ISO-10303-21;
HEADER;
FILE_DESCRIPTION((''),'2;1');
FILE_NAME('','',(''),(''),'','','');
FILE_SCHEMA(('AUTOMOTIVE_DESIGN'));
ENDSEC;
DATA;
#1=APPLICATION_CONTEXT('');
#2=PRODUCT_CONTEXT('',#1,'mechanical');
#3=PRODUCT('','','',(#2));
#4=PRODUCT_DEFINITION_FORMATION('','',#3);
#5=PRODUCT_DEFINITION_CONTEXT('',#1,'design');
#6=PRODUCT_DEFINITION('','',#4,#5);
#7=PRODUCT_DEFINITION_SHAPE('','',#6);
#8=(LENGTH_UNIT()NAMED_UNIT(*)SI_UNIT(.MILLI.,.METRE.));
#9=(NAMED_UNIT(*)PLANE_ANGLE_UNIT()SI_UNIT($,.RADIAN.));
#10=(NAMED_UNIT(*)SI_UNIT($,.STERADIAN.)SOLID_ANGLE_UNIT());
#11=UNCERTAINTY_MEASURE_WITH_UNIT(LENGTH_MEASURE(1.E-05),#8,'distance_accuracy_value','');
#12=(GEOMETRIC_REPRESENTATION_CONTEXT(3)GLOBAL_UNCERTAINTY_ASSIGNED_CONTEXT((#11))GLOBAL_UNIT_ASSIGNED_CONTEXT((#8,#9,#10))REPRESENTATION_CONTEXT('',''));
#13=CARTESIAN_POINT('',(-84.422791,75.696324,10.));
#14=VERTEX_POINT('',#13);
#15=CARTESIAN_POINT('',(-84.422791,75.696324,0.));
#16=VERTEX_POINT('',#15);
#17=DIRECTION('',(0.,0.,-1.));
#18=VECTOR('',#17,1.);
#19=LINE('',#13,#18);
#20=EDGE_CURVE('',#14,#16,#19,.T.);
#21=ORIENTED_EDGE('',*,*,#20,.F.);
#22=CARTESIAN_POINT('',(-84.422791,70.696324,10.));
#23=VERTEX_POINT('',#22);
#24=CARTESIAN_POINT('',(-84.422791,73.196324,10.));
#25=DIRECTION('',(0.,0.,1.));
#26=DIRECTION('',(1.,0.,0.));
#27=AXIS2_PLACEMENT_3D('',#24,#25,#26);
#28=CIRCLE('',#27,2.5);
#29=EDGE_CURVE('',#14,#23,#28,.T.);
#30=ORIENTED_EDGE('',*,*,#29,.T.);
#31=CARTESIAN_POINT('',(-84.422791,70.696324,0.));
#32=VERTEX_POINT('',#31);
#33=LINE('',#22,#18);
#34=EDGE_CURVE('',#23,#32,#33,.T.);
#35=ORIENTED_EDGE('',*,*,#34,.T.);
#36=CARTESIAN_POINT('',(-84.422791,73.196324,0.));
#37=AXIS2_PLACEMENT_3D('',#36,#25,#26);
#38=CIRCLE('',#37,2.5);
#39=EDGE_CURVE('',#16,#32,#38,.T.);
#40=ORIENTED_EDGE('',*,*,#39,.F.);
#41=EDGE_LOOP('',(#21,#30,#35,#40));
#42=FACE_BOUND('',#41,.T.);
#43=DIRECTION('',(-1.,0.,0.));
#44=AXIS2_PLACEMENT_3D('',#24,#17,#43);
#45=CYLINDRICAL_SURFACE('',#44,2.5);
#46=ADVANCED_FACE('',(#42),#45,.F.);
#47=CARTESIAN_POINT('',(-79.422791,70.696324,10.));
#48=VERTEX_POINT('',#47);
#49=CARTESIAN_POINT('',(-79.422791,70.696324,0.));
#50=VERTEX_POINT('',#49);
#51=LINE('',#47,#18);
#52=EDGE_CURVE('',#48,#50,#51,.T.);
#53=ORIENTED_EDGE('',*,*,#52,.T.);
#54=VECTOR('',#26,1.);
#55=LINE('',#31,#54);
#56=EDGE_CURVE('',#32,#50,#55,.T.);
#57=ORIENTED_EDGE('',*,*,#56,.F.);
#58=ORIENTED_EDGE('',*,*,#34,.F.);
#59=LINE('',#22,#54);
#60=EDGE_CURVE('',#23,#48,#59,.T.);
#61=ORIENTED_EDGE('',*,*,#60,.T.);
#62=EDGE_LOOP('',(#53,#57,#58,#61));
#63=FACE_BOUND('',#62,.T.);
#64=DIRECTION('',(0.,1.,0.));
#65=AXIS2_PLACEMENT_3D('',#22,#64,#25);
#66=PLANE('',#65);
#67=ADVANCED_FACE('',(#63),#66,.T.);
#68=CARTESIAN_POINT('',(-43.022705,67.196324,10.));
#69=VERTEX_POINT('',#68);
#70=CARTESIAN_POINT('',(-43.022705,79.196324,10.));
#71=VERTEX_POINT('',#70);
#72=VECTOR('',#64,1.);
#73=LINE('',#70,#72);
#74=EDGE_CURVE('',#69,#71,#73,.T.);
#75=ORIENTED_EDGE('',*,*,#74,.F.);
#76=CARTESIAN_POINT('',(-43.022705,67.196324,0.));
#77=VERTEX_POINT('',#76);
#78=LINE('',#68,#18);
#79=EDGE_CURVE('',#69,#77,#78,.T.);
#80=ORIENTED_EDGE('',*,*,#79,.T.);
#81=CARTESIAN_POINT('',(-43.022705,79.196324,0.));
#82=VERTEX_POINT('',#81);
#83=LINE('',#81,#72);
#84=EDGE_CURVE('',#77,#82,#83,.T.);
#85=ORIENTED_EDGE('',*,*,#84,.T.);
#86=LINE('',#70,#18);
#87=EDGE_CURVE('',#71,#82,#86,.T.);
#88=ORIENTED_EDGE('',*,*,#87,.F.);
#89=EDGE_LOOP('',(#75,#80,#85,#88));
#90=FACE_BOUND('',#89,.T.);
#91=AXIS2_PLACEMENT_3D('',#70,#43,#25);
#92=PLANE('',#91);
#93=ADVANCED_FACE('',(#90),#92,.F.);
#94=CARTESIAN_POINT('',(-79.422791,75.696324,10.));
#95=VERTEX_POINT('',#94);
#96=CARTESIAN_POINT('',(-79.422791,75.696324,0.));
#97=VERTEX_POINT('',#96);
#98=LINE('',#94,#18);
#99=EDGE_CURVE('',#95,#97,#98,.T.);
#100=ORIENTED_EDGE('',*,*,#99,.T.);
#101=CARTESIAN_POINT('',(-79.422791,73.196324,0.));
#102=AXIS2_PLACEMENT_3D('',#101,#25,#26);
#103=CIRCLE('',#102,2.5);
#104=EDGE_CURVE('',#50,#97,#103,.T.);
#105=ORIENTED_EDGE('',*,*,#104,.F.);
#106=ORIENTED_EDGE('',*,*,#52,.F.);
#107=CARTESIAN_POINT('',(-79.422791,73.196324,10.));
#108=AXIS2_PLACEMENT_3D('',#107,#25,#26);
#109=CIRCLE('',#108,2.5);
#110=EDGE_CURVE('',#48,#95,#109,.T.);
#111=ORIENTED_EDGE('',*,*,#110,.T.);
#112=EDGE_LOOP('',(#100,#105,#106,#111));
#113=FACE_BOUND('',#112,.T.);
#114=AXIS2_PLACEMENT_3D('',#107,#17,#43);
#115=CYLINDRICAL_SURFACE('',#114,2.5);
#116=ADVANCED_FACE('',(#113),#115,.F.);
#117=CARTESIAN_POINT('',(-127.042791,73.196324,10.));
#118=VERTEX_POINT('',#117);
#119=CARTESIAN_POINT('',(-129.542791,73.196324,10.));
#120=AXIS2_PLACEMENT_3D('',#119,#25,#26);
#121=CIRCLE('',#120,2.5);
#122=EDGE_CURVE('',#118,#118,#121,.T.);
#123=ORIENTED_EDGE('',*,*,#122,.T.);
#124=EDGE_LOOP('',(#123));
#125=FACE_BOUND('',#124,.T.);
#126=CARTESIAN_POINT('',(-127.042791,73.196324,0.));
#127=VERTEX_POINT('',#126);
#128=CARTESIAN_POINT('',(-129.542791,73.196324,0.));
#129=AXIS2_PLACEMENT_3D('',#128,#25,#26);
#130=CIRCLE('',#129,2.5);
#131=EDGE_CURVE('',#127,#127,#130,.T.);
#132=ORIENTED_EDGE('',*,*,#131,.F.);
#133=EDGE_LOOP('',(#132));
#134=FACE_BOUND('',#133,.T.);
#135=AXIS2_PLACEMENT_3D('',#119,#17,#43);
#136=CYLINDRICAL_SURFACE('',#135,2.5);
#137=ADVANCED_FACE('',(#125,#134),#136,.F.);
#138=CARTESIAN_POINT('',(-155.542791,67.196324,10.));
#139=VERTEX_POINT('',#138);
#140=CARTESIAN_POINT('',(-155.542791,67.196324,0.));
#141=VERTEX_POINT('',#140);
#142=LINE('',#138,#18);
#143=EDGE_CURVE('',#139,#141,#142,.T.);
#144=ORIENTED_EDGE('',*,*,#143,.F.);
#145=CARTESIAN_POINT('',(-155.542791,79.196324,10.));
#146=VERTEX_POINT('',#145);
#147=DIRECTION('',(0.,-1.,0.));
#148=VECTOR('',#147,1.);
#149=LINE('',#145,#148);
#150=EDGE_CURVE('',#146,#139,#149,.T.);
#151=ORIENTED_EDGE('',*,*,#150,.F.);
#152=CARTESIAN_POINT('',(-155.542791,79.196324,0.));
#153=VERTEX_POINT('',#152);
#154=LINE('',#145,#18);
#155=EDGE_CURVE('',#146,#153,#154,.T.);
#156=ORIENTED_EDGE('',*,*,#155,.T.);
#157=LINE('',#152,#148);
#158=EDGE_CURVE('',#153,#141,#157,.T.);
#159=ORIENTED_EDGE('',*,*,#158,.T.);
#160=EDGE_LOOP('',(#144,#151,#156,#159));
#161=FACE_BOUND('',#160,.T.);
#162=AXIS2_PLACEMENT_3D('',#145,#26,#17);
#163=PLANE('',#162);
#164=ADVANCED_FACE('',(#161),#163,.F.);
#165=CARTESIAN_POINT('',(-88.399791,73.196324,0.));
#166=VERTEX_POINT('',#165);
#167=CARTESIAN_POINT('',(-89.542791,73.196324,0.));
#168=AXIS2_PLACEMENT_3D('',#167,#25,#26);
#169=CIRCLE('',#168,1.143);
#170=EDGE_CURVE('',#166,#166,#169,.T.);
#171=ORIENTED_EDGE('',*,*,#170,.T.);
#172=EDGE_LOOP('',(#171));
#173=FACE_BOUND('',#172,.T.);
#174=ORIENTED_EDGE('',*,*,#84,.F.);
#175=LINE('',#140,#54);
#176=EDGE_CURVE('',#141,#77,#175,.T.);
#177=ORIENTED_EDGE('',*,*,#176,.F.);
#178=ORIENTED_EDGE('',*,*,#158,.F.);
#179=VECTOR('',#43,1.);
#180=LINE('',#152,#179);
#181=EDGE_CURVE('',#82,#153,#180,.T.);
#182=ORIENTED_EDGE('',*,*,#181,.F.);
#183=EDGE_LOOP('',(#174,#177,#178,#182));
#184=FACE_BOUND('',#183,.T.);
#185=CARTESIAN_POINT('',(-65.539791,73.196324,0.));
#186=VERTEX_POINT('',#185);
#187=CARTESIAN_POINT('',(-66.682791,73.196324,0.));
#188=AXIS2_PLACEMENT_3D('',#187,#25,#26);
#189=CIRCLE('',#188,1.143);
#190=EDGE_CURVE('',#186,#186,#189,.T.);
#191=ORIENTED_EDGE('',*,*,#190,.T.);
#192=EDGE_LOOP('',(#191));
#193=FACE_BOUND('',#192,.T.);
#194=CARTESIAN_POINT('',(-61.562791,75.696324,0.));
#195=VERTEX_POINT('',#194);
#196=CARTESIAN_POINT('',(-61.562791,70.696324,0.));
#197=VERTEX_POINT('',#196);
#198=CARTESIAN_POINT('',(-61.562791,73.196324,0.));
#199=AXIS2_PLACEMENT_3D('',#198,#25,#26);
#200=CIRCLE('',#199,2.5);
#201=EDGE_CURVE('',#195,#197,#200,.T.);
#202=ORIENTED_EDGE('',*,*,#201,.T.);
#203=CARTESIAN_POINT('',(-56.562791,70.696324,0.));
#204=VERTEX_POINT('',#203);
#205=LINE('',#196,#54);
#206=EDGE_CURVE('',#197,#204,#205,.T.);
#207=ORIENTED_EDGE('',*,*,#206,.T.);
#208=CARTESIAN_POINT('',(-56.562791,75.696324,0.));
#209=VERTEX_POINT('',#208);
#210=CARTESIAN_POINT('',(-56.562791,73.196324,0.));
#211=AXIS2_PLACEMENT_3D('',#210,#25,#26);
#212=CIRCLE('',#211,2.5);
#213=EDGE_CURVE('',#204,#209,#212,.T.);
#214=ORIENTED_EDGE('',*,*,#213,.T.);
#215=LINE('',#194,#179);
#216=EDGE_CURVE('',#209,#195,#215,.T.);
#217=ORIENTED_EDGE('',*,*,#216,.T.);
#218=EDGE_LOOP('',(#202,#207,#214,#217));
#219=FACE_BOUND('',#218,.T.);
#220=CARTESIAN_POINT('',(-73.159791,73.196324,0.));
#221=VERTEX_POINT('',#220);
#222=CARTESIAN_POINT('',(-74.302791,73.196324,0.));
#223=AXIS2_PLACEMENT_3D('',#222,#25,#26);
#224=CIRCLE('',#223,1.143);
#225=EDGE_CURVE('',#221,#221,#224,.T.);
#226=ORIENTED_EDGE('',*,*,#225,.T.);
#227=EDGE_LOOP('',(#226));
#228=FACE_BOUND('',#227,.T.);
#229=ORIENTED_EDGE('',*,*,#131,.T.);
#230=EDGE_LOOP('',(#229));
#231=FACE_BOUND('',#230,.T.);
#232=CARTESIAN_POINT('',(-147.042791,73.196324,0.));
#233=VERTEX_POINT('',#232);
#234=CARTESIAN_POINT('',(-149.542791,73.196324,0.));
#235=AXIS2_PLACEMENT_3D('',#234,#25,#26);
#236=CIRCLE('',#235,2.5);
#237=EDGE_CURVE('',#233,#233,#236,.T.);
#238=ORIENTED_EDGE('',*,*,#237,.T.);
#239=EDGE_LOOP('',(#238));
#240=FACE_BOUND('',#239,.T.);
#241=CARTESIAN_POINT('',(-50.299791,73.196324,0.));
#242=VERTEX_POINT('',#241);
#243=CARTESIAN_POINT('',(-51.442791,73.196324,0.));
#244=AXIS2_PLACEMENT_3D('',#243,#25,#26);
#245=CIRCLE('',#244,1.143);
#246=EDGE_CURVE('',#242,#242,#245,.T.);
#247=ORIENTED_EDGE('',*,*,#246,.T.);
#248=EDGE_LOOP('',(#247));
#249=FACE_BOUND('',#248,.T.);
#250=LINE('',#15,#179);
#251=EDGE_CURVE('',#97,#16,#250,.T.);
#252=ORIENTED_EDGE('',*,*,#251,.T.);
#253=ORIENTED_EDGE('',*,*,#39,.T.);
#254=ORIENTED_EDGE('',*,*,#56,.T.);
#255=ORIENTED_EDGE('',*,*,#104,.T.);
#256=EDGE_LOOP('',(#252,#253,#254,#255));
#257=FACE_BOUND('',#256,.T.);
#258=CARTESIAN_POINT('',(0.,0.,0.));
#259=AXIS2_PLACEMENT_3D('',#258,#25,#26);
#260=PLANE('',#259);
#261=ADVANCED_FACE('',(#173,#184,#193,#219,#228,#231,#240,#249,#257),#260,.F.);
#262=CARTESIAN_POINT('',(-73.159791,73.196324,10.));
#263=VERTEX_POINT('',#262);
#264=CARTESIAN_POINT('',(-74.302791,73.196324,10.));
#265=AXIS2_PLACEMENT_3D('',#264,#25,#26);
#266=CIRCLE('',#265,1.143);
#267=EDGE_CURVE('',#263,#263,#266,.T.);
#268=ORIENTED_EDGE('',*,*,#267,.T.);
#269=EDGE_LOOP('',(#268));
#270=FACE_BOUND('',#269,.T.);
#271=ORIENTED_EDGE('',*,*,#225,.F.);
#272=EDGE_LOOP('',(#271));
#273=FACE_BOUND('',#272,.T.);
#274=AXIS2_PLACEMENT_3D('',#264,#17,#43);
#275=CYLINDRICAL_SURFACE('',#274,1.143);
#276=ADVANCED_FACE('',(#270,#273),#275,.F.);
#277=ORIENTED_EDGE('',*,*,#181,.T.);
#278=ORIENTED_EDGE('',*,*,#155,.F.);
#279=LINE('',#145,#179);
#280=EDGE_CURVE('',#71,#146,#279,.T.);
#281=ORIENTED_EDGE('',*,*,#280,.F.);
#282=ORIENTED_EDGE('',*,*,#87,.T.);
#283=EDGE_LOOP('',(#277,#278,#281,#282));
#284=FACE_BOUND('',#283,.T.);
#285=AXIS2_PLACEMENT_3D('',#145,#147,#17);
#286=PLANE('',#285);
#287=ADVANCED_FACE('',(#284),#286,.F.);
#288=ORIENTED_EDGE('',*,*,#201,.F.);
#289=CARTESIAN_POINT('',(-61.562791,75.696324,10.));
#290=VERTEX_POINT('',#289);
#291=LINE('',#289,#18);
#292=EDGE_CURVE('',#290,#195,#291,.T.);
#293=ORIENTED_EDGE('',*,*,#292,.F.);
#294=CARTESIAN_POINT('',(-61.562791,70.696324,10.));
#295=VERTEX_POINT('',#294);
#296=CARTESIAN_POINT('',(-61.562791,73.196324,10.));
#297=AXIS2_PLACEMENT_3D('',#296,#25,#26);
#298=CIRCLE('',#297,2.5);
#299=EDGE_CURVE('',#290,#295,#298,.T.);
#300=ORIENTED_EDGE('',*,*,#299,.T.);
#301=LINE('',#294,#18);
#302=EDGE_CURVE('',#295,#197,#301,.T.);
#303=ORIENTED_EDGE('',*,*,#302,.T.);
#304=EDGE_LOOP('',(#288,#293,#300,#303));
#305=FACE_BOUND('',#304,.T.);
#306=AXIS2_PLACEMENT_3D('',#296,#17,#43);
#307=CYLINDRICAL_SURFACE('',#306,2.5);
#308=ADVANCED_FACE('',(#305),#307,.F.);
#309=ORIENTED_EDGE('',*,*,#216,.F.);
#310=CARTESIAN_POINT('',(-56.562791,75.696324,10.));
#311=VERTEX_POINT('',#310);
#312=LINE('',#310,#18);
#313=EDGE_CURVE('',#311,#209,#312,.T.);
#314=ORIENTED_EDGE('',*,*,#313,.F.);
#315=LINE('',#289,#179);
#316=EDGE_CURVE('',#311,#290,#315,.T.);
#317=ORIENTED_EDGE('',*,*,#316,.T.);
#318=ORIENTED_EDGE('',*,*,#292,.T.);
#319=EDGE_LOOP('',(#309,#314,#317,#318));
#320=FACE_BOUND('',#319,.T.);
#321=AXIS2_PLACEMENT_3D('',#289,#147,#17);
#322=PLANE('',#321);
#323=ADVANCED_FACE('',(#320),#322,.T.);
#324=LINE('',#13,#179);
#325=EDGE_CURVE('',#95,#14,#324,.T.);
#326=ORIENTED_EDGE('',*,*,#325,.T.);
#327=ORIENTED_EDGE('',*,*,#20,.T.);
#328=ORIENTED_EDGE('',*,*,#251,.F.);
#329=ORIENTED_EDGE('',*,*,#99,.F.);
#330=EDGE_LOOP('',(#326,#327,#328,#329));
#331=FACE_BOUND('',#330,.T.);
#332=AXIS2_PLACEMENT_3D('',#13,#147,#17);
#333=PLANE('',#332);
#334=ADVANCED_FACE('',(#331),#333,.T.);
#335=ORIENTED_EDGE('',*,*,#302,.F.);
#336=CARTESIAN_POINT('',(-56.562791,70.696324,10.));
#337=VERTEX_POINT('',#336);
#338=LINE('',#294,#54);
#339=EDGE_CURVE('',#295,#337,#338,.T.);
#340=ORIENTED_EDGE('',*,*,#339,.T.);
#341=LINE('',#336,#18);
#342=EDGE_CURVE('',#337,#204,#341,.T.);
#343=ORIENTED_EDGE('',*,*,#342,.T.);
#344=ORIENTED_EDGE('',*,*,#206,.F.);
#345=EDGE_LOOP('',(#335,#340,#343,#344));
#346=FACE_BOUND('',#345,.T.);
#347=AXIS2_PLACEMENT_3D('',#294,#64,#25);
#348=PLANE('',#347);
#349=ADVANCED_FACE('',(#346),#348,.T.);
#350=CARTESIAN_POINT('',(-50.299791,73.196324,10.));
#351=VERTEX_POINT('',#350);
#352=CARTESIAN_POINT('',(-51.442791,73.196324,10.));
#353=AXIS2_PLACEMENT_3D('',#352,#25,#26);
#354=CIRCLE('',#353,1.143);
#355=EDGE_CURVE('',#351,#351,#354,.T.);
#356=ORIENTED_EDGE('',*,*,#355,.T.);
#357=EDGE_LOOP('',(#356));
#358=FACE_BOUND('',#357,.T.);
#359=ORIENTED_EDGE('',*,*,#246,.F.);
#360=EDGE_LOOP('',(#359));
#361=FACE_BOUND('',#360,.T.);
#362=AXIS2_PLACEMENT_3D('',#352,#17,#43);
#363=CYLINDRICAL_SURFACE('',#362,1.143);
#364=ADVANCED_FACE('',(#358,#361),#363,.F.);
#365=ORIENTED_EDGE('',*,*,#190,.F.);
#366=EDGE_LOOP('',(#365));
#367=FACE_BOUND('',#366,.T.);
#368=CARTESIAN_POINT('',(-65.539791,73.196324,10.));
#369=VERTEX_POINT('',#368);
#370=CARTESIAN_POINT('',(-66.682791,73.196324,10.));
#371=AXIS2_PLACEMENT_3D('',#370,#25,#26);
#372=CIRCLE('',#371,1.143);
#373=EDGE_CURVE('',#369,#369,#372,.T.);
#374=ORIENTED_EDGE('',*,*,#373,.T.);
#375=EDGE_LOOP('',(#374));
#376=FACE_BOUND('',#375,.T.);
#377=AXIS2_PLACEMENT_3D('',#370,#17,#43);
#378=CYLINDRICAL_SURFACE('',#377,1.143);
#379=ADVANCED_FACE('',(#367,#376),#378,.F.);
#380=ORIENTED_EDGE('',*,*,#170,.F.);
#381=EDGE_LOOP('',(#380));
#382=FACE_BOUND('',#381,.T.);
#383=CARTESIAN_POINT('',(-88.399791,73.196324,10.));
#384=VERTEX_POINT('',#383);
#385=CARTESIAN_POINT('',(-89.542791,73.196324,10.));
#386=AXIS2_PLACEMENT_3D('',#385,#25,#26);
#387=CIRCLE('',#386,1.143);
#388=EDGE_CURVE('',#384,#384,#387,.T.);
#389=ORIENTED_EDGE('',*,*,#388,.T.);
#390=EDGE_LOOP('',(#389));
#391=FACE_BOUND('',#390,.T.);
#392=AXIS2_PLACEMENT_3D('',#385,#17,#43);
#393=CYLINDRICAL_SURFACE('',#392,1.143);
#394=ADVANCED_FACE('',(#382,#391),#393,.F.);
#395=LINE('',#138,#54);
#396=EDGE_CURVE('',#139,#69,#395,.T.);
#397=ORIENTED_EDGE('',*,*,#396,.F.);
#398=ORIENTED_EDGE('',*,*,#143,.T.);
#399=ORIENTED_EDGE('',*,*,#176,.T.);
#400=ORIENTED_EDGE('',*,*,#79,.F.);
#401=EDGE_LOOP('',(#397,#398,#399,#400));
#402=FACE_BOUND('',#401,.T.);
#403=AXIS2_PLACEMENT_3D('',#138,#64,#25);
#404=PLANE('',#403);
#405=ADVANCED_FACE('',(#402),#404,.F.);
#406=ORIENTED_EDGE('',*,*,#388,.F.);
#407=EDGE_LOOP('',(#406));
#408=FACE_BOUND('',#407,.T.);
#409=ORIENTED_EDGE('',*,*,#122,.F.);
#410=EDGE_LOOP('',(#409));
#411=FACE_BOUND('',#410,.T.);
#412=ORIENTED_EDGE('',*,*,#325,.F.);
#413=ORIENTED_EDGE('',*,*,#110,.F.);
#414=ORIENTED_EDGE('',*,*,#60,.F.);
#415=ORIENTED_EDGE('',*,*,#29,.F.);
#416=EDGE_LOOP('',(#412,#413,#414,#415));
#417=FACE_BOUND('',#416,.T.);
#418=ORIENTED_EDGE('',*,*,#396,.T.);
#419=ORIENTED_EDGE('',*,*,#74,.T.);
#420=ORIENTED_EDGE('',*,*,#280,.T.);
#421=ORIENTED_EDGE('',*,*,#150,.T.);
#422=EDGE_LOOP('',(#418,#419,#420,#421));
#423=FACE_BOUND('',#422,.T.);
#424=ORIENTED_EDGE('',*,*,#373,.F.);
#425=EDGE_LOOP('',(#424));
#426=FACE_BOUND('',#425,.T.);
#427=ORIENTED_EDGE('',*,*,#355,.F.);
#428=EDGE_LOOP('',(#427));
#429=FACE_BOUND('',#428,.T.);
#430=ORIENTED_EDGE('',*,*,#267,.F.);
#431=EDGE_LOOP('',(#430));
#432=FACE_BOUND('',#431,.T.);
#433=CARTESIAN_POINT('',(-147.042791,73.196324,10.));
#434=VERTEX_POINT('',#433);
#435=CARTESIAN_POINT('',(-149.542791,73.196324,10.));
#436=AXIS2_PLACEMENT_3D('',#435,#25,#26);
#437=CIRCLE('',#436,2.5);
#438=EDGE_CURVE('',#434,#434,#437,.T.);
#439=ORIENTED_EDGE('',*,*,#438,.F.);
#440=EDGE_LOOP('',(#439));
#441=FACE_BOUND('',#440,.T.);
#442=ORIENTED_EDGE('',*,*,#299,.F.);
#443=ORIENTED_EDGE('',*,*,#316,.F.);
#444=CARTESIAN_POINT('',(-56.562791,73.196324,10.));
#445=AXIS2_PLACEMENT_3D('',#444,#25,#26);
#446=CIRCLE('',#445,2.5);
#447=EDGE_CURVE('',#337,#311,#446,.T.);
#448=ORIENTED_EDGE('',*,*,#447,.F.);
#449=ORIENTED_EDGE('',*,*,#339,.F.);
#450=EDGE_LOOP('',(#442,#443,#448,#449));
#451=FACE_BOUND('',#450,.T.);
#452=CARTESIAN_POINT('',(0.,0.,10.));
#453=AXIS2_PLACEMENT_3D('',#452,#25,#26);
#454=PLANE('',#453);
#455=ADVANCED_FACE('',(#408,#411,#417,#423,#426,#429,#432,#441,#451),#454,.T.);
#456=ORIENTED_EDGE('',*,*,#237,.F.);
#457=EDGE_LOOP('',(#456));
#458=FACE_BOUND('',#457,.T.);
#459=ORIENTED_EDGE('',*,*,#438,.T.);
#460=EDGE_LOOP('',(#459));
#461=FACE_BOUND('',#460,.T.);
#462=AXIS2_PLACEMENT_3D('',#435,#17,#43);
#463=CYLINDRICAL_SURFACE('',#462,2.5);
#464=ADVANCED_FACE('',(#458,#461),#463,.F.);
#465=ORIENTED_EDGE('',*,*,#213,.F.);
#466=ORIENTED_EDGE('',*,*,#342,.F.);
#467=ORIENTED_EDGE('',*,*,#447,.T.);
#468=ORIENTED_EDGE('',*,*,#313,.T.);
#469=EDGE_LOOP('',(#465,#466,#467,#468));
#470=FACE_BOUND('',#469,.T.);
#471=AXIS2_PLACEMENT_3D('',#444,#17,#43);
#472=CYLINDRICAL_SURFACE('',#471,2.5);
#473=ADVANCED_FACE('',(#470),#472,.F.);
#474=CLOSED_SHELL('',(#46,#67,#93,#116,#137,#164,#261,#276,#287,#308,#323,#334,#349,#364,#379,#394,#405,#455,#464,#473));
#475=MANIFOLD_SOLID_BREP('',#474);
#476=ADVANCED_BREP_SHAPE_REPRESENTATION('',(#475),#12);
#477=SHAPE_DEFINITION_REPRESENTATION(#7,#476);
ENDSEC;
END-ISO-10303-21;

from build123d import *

# Parameters (mm, degrees)
SKETCH1_W           = 112.520086359
SKETCH1_H           = 12
SKETCH1_R           = 2.5
SKETCH1_R_2         = 1.143
BOSS_EXTRUDE1_DEPTH = 10


with BuildPart() as part:
    # Sketch1 → Boss-Extrude1 (new body)
    with BuildSketch(Plane.XY):
        with Locations((-99.282747956, 73.19632446)):
            Rectangle(SKETCH1_W, SKETCH1_H)
        with Locations((-149.542791135, 73.19632446)):
            Circle(SKETCH1_R, mode=Mode.SUBTRACT)
        with Locations((-129.542791135, 73.19632446)):
            Circle(SKETCH1_R, mode=Mode.SUBTRACT)
        with Locations((-89.542791135, 73.19632446)):
            Circle(SKETCH1_R_2, mode=Mode.SUBTRACT)
        with Locations((-74.302791135, 73.19632446)):
            Circle(SKETCH1_R_2, mode=Mode.SUBTRACT)
        with Locations((-66.682791135, 73.19632446)):
            Circle(SKETCH1_R_2, mode=Mode.SUBTRACT)
        with Locations((-51.442791135, 73.19632446)):
            Circle(SKETCH1_R_2, mode=Mode.SUBTRACT)
        with BuildLine():
            Line((-84.422791135, 75.69632446), (-79.422791135, 75.69632446))
            ThreePointArc((-79.422791135, 75.69632446), (-76.922791135, 73.19632446), (-79.422791135, 70.69632446))
            Line((-79.422791135, 70.69632446), (-84.422791135, 70.69632446))
            ThreePointArc((-84.422791135, 70.69632446), (-86.922791135, 73.19632446), (-84.422791135, 75.69632446))
        make_face(mode=Mode.SUBTRACT)
        with BuildLine():
            Line((-61.562791135, 75.69632446), (-56.562791135, 75.69632446))
            ThreePointArc((-56.562791135, 75.69632446), (-54.062791135, 73.19632446), (-56.562791135, 70.69632446))
            Line((-56.562791135, 70.69632446), (-61.562791135, 70.69632446))
            ThreePointArc((-61.562791135, 70.69632446), (-64.062791135, 73.19632446), (-61.562791135, 75.69632446))
        make_face(mode=Mode.SUBTRACT)
    extrude(amount=BOSS_EXTRUDE1_DEPTH)


solid = part.part
